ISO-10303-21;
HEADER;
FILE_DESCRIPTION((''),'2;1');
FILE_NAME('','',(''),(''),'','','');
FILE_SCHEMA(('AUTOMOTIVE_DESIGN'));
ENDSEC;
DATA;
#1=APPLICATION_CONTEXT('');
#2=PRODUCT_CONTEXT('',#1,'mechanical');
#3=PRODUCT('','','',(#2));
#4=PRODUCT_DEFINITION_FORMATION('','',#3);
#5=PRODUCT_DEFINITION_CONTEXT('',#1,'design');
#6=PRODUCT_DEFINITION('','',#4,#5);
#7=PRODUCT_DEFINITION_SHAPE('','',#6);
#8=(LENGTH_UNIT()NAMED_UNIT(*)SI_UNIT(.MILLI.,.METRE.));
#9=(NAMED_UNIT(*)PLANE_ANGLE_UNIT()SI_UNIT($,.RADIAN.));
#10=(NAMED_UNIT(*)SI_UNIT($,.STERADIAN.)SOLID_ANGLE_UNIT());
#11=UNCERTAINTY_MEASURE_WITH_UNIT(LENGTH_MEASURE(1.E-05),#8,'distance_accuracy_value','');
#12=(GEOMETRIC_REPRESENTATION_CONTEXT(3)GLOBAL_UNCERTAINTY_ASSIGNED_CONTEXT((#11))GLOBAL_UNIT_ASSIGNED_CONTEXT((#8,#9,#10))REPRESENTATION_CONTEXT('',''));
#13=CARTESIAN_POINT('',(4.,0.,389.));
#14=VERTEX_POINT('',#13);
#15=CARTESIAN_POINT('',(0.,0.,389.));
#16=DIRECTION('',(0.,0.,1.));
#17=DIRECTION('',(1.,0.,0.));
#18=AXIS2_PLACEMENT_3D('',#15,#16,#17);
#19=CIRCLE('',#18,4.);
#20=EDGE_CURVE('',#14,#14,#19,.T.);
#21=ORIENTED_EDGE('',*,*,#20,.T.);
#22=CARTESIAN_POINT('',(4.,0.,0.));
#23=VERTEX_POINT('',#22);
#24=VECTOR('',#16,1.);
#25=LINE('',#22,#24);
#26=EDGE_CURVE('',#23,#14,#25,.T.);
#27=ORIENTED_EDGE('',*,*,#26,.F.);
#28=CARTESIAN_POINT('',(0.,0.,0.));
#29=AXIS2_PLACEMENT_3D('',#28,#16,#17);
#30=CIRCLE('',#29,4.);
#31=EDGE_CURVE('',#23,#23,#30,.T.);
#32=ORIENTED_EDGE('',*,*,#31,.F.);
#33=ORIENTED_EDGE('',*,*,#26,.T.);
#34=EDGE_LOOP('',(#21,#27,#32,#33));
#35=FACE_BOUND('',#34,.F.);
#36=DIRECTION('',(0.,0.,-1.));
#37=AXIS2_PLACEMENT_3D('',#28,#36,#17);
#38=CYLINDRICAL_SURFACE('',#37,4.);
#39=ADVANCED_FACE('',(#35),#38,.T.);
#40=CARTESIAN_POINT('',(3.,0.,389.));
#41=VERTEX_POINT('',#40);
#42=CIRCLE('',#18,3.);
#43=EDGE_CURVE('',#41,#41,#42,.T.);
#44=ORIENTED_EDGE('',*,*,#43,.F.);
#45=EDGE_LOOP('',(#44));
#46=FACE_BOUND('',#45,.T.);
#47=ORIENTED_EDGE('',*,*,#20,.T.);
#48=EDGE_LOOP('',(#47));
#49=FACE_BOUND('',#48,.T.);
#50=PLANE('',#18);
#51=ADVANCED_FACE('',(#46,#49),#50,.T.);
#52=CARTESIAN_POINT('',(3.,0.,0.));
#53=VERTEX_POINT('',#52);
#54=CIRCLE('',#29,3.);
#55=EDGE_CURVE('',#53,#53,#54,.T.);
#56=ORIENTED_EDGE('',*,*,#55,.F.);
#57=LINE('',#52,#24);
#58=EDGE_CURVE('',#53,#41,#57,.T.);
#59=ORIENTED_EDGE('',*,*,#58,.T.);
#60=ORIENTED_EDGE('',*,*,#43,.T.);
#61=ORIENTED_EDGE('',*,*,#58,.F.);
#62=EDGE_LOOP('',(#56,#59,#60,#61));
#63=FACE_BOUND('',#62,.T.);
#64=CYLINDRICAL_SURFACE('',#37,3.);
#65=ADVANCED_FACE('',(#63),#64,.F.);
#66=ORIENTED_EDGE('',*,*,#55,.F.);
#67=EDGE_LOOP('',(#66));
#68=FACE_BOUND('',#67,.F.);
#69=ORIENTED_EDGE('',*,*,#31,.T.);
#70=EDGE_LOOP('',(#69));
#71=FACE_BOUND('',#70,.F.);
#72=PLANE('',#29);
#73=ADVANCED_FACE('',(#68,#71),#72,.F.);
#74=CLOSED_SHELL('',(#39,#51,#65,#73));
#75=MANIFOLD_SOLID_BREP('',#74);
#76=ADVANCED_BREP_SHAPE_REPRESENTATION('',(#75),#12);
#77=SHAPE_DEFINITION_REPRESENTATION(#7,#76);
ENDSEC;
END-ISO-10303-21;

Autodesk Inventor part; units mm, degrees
ref_plane "YZ Plane" through (0, 0, 0) normal (1, 0, 0) x (0, 1, 0)
ref_plane "XZ Plane" through (0, 0, 0) normal (0, 1, 0) x (-1, 0, 0)
sketch "Sketch1" plane through (0, 0, 0) normal (0, 0, 1) x (1, 0, 0)
  circle A0 centre (0, 0) radius 4
  circle A1 centre (0, 0) radius 3
  dimension "d0" = 8
  dimension "d1" = 6
extrude "Extrusion1" add sketch "Sketch1" along normal blind 389
ref_plane "Work Plane1" through (0, 0, 194.5) normal (0, 0, 1) x (1, 0, 0)
properties part number "carbon_pipe" material "CFRP"
